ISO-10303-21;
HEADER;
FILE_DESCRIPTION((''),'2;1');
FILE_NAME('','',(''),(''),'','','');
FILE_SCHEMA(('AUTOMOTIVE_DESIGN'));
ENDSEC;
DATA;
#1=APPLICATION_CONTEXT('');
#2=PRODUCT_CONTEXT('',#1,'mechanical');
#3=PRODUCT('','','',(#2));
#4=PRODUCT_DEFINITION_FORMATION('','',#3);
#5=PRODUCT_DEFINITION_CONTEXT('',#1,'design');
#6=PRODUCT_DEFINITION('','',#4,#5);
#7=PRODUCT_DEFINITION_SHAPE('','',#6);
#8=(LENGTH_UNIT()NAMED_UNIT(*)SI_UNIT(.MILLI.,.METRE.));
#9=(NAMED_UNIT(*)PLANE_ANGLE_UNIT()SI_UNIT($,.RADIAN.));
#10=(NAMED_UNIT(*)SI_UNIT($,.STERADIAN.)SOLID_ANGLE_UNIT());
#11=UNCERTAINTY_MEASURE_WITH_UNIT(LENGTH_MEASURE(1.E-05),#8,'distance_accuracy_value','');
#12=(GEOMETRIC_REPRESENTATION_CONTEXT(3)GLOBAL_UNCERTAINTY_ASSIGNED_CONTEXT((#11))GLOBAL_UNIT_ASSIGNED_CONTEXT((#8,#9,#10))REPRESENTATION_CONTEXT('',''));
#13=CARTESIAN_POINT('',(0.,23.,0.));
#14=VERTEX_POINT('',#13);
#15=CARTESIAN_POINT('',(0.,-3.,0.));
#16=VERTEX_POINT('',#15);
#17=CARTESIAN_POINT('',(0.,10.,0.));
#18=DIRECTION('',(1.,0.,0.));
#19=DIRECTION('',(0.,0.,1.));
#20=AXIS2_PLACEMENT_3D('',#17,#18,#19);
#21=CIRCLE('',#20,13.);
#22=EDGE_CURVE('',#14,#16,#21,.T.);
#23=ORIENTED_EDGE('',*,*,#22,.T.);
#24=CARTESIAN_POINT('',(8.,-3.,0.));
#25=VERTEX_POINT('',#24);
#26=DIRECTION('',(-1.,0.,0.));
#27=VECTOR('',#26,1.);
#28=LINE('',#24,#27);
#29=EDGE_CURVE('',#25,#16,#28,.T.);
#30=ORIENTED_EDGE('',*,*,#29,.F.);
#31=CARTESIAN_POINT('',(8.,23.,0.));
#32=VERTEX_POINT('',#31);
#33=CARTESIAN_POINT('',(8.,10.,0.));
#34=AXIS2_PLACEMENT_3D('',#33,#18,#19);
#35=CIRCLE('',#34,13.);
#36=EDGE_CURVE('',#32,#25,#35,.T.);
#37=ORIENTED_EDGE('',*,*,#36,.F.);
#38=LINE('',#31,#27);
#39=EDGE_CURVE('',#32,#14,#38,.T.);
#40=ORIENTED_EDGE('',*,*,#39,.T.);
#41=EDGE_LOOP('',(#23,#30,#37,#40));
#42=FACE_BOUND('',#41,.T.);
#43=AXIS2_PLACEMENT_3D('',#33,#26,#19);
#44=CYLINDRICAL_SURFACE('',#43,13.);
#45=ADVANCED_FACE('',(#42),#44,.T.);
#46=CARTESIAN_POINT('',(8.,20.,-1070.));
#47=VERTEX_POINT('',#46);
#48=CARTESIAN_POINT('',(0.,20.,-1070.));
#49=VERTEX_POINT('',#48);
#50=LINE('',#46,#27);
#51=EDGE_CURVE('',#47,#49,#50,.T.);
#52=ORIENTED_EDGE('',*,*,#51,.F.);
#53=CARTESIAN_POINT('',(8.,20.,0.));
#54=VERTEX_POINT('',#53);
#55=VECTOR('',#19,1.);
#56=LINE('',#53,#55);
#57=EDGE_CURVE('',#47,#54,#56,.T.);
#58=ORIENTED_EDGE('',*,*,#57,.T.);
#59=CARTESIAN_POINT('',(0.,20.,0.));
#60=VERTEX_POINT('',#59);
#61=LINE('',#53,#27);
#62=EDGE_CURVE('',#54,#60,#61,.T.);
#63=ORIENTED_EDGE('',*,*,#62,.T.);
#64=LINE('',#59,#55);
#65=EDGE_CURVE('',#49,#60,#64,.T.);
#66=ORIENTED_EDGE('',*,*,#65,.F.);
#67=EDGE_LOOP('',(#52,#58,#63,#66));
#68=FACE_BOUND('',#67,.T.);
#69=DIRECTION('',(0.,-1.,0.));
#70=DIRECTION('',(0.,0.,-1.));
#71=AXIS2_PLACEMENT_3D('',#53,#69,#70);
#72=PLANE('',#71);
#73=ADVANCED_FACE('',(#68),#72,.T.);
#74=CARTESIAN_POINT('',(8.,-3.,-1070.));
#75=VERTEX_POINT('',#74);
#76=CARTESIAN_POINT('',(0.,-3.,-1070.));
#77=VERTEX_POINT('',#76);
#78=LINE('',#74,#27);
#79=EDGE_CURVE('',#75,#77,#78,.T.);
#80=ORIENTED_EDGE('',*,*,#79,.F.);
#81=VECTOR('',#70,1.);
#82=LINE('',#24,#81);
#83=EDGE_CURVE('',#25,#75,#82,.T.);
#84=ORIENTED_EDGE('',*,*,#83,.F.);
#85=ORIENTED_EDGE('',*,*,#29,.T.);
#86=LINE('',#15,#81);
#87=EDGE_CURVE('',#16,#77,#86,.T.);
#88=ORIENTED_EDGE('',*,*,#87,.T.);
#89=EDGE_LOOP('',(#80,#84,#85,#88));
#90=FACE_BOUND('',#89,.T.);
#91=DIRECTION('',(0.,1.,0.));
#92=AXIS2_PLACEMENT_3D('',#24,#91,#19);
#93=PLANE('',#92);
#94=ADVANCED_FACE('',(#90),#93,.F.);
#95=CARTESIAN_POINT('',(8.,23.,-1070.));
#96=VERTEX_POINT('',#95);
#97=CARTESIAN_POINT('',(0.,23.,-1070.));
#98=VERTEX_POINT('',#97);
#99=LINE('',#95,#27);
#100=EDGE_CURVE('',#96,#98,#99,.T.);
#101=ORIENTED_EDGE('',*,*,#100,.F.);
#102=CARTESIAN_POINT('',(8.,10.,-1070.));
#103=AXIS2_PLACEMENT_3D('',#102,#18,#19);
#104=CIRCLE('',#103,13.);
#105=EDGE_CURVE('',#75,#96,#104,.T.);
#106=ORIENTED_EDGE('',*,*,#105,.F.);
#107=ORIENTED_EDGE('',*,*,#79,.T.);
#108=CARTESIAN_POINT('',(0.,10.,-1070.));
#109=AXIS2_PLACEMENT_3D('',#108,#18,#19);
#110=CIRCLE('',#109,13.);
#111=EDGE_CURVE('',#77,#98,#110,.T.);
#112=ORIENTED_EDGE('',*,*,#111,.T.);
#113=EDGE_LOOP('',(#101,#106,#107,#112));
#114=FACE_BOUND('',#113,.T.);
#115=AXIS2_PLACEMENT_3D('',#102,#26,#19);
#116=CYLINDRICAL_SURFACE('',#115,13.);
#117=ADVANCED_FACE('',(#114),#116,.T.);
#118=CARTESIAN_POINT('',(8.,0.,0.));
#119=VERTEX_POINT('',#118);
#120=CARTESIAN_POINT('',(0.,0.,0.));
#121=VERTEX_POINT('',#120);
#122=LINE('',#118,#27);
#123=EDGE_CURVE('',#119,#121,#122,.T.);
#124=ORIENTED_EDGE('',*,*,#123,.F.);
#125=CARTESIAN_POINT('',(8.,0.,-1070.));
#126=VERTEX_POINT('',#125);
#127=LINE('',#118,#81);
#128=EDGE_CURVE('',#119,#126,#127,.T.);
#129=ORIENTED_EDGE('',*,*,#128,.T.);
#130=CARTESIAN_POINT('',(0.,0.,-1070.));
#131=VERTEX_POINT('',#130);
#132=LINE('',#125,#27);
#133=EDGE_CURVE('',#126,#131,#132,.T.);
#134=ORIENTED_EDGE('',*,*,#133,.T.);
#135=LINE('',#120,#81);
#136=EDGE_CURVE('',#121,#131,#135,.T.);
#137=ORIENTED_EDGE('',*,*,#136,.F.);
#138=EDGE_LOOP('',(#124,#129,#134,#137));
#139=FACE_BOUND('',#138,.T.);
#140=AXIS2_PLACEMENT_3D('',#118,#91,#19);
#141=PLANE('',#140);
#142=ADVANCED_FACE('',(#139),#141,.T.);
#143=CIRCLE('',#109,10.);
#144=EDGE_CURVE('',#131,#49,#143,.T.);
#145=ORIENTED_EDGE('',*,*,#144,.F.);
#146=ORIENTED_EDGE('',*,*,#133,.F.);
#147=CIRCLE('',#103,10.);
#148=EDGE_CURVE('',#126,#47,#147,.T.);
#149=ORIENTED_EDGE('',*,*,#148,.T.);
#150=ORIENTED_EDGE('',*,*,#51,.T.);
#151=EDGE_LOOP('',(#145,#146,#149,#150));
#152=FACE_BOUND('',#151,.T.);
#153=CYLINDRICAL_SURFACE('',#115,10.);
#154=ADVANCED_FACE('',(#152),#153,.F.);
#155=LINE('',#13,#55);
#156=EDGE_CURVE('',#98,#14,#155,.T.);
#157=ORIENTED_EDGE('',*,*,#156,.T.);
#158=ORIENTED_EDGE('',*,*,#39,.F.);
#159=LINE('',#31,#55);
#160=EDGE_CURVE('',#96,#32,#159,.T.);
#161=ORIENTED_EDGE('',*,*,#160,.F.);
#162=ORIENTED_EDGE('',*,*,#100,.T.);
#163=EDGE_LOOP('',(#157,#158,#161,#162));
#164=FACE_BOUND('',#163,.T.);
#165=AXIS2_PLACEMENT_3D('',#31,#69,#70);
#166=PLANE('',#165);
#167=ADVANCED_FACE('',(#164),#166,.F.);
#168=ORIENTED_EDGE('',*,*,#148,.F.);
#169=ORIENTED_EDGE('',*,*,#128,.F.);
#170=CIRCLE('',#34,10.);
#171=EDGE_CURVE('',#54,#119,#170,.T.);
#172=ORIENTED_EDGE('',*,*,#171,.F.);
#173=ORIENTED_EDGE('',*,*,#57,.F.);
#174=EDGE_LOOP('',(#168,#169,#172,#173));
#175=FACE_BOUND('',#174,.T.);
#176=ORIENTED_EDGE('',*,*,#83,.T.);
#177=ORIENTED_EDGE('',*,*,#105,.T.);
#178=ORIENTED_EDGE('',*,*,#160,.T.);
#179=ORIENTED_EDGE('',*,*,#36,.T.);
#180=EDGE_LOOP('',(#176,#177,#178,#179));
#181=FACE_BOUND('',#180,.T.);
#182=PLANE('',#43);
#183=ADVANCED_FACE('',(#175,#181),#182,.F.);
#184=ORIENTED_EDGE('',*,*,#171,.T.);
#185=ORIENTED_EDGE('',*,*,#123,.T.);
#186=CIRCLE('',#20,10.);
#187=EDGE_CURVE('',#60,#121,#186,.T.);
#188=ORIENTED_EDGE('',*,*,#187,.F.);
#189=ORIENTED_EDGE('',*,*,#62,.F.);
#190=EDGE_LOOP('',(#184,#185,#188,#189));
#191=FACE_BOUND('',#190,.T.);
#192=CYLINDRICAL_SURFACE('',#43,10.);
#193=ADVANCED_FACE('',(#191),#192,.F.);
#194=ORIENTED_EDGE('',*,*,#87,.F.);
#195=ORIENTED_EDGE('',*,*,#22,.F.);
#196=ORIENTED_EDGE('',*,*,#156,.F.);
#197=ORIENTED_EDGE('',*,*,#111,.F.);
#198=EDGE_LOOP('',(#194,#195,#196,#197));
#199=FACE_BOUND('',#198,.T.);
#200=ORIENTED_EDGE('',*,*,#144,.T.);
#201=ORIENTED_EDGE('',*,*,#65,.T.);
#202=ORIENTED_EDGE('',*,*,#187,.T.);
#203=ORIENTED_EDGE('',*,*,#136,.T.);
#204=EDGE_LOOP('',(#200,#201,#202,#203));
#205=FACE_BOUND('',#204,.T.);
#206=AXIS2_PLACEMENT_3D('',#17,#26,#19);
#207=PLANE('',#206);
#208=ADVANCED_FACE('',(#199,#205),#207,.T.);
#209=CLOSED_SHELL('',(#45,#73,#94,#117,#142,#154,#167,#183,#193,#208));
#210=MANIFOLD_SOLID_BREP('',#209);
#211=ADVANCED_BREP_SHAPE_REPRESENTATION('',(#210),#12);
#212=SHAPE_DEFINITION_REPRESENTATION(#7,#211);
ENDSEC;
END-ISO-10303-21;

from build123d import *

# Parameters (mm, degrees)
EXTRUDE_1_DEPTH = 8


with BuildPart() as part:
    # 草图1 → 凸台-拉伸1 (new body)
    with BuildSketch(Plane(origin=(0, 0, 0), x_dir=(0, 0, -1), z_dir=(1, 0, 0))):
        with BuildLine():
            Line((0, 23), (1070, 23))
            ThreePointArc((1070, 23), (1083, 10), (1070, -3))
            Line((1070, -3), (0, -3))
            ThreePointArc((0, -3), (-13, 10), (0, 23))
        make_face()
        with BuildLine():
            Line((0, 0), (1070, 0))
            ThreePointArc((1070, 0), (1080, 10), (1070, 20))
            Line((1070, 20), (0, 20))
            ThreePointArc((0, 20), (-10, 10), (0, 0))
        make_face(mode=Mode.SUBTRACT)
    extrude(amount=EXTRUDE_1_DEPTH)


solid = part.part
